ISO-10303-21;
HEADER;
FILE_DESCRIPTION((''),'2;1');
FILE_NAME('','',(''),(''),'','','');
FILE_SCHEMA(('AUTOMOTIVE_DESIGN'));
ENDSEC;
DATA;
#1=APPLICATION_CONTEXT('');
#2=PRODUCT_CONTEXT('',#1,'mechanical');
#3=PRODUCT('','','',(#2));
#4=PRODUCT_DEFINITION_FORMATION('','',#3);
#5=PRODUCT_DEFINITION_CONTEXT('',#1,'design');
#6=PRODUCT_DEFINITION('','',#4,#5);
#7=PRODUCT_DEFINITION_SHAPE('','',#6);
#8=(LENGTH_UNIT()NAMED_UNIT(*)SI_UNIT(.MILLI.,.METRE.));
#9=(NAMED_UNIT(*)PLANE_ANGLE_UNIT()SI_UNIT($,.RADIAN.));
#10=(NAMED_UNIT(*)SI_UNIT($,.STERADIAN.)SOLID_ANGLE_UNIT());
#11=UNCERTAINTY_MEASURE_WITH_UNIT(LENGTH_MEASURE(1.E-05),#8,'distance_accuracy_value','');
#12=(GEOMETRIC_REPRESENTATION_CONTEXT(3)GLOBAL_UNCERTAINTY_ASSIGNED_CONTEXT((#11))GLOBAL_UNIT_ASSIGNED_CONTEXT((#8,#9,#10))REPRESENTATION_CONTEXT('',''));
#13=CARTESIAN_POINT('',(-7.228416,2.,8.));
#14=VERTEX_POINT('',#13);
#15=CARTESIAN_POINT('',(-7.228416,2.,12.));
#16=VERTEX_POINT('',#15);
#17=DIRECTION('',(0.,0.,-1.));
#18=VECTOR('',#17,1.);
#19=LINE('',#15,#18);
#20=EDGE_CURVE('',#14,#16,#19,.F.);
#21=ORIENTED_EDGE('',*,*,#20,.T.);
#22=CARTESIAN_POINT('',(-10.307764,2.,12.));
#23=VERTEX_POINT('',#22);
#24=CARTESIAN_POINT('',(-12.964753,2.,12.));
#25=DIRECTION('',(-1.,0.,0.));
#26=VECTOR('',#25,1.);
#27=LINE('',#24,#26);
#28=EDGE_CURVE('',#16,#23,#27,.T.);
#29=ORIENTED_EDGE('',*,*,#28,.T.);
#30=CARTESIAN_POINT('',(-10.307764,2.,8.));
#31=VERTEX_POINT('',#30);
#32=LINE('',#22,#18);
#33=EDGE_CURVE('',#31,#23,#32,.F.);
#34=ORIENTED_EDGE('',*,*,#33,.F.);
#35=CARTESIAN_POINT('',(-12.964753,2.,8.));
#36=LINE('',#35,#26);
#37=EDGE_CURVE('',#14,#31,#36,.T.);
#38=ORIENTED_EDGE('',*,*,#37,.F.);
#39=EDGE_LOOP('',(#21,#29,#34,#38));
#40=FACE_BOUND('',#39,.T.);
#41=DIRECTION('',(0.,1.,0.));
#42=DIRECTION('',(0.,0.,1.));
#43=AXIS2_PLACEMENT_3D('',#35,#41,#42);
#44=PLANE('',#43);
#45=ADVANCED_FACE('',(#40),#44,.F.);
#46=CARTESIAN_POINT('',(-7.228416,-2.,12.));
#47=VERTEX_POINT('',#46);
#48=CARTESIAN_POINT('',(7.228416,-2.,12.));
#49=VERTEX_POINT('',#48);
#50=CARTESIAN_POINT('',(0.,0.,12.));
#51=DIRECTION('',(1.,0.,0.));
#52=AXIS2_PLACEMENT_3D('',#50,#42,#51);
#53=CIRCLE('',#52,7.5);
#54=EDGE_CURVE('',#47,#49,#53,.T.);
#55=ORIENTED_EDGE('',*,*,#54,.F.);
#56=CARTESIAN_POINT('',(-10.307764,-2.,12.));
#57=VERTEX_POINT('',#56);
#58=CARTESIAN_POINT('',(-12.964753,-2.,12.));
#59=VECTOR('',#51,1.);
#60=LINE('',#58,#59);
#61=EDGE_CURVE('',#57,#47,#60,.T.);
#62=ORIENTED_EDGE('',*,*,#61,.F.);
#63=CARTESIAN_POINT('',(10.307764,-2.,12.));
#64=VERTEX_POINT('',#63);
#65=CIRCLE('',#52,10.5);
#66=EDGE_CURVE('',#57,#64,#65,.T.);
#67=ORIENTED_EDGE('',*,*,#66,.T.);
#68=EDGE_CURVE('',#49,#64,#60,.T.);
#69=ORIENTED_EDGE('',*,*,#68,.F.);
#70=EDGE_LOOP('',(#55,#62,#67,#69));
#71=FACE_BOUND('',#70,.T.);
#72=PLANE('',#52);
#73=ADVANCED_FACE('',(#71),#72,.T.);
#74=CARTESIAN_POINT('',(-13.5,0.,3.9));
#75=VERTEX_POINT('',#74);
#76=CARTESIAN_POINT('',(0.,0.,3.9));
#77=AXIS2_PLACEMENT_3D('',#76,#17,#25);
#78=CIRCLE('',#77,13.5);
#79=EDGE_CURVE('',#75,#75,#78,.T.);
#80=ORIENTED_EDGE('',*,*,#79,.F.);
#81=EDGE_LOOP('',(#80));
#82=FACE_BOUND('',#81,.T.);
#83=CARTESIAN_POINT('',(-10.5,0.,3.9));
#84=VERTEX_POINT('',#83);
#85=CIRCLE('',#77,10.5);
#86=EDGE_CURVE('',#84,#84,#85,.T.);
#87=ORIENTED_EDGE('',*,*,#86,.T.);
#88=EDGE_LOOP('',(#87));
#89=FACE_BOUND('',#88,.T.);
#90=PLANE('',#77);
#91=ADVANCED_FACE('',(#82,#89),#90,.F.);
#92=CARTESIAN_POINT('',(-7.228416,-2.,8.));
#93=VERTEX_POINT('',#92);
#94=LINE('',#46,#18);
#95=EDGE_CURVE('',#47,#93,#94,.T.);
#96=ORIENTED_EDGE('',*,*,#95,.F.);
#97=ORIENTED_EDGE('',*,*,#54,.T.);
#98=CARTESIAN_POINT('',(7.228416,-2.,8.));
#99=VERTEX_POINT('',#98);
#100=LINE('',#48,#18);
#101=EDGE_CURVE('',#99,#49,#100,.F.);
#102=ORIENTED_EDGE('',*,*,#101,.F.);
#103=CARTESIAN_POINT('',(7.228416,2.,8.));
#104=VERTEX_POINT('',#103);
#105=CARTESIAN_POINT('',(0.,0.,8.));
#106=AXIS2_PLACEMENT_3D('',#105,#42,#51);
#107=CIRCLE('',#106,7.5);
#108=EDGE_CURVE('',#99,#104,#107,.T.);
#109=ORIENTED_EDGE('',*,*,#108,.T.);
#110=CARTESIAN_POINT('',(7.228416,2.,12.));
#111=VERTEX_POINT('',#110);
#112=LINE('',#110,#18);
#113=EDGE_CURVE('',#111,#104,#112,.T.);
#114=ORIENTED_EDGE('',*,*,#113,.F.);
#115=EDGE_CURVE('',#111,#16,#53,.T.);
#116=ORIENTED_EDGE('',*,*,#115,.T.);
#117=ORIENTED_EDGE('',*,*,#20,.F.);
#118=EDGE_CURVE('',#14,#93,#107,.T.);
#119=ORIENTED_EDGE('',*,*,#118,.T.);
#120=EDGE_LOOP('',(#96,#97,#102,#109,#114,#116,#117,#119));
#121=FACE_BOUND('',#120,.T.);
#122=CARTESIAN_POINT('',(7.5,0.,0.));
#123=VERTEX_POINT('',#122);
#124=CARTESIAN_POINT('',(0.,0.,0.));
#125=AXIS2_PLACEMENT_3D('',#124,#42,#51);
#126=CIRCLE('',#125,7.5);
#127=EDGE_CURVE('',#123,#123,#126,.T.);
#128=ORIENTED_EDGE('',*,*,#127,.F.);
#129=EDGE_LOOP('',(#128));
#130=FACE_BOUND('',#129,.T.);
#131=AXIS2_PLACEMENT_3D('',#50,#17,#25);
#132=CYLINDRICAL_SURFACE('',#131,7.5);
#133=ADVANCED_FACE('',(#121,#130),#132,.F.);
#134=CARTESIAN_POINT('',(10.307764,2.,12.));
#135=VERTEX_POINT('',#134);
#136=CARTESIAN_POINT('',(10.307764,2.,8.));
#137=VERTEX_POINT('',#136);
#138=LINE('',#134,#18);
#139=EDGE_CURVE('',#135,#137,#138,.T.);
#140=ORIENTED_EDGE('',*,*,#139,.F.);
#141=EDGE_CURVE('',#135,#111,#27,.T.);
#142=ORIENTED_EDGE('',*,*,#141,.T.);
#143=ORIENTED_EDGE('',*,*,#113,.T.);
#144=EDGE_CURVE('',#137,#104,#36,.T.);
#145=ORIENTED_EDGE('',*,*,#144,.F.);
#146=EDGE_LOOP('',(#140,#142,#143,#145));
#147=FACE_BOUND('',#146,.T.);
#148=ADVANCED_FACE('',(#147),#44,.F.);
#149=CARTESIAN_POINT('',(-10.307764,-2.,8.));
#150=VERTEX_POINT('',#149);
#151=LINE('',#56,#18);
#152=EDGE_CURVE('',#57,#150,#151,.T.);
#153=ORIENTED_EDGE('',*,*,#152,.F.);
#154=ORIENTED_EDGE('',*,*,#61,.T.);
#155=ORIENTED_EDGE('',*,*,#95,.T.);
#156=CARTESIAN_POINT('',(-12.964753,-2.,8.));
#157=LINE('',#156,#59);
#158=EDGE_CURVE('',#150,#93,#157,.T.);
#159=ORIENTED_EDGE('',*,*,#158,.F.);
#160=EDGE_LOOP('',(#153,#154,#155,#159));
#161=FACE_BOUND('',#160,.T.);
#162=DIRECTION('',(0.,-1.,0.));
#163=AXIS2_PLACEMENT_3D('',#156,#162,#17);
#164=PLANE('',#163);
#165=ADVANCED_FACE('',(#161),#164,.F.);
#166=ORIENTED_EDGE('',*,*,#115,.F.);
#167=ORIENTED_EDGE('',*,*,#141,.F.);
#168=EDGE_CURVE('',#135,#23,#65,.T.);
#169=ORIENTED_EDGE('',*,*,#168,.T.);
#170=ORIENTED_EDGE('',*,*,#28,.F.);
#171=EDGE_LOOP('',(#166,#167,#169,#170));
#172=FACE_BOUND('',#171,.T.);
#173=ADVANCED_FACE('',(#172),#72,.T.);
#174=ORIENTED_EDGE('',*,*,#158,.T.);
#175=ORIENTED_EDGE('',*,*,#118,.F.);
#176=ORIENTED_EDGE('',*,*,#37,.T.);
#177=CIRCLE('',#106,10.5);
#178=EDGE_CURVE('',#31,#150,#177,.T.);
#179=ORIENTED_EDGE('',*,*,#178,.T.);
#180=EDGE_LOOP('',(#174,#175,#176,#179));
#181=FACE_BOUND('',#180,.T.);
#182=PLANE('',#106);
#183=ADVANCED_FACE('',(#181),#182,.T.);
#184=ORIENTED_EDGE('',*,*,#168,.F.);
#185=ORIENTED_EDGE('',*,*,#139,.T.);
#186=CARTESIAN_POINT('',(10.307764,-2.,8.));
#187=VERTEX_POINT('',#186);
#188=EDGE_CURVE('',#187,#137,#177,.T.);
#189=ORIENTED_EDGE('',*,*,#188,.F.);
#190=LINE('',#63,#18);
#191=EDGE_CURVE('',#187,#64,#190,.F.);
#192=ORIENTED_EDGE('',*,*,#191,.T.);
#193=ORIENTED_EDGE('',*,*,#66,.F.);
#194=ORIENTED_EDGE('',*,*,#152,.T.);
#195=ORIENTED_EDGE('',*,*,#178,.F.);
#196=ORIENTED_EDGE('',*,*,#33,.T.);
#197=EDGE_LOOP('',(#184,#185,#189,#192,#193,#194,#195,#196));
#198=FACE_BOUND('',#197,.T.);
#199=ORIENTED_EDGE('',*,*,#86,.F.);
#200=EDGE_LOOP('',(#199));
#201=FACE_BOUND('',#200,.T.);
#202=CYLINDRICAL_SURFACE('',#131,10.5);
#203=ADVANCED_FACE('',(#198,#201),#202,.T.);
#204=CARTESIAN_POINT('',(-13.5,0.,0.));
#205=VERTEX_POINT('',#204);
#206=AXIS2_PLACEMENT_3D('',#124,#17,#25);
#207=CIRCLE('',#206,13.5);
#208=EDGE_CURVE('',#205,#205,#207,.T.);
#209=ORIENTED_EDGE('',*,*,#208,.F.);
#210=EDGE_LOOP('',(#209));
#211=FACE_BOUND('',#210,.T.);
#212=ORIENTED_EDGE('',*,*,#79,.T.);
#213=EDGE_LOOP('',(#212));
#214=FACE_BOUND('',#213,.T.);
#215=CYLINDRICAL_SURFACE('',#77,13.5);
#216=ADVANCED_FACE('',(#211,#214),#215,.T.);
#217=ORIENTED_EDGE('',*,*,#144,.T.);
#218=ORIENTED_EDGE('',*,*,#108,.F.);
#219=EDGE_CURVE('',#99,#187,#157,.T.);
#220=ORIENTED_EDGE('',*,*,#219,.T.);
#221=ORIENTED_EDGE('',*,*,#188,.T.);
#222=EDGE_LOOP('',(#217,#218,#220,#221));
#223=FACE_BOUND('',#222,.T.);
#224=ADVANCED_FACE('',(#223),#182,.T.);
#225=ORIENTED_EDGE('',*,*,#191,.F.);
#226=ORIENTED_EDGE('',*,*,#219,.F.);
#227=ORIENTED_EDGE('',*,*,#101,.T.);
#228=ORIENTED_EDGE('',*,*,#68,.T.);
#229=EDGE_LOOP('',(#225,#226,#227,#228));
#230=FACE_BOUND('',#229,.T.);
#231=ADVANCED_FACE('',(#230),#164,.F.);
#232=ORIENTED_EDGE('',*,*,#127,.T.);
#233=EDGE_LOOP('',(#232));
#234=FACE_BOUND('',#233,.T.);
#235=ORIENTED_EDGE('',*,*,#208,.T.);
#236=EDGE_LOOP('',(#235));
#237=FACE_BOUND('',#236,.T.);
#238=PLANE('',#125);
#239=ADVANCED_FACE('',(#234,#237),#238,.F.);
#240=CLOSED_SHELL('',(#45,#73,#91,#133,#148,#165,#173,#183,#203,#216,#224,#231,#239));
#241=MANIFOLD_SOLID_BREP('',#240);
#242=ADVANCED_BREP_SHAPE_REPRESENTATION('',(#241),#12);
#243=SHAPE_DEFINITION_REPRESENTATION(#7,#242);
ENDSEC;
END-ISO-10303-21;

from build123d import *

# Parameters (mm, degrees)
SKETCH_1_R          = 10.5
SKETCH_1_R_2        = 7.5
EXTRUDE_1_DEPTH     = 12
SKETCH_2_R          = 13.5
SKETCH_2_R_2        = 10.5
EXTRUDE_2_DEPTH     = 3.9
SKETCH_3_W          = 25.92950511
SKETCH_3_H          = 4
CUT_EXTRUDE_1_DEPTH = 4


with BuildPart() as part:
    # 草图1 → 拉伸-薄壁1 (new body)
    with BuildSketch(Plane.XY):
        Circle(SKETCH_1_R)
        Circle(SKETCH_1_R_2, mode=Mode.SUBTRACT)
    extrude(amount=EXTRUDE_1_DEPTH)

    # 草图2 → 拉伸-薄壁2 (add)
    with BuildSketch(Plane(origin=(0, 0, 0), x_dir=(-1, 0, 0), z_dir=(0, 0, -1))):
        Circle(SKETCH_2_R)
        Circle(SKETCH_2_R_2, mode=Mode.SUBTRACT)
    extrude(amount=-EXTRUDE_2_DEPTH)

    # 草图3 → 切除-拉伸1 (cut)
    with BuildSketch(Plane.XY.offset(12)):
        Rectangle(SKETCH_3_W, SKETCH_3_H)
    extrude(amount=-CUT_EXTRUDE_1_DEPTH, mode=Mode.SUBTRACT)


solid = part.part
